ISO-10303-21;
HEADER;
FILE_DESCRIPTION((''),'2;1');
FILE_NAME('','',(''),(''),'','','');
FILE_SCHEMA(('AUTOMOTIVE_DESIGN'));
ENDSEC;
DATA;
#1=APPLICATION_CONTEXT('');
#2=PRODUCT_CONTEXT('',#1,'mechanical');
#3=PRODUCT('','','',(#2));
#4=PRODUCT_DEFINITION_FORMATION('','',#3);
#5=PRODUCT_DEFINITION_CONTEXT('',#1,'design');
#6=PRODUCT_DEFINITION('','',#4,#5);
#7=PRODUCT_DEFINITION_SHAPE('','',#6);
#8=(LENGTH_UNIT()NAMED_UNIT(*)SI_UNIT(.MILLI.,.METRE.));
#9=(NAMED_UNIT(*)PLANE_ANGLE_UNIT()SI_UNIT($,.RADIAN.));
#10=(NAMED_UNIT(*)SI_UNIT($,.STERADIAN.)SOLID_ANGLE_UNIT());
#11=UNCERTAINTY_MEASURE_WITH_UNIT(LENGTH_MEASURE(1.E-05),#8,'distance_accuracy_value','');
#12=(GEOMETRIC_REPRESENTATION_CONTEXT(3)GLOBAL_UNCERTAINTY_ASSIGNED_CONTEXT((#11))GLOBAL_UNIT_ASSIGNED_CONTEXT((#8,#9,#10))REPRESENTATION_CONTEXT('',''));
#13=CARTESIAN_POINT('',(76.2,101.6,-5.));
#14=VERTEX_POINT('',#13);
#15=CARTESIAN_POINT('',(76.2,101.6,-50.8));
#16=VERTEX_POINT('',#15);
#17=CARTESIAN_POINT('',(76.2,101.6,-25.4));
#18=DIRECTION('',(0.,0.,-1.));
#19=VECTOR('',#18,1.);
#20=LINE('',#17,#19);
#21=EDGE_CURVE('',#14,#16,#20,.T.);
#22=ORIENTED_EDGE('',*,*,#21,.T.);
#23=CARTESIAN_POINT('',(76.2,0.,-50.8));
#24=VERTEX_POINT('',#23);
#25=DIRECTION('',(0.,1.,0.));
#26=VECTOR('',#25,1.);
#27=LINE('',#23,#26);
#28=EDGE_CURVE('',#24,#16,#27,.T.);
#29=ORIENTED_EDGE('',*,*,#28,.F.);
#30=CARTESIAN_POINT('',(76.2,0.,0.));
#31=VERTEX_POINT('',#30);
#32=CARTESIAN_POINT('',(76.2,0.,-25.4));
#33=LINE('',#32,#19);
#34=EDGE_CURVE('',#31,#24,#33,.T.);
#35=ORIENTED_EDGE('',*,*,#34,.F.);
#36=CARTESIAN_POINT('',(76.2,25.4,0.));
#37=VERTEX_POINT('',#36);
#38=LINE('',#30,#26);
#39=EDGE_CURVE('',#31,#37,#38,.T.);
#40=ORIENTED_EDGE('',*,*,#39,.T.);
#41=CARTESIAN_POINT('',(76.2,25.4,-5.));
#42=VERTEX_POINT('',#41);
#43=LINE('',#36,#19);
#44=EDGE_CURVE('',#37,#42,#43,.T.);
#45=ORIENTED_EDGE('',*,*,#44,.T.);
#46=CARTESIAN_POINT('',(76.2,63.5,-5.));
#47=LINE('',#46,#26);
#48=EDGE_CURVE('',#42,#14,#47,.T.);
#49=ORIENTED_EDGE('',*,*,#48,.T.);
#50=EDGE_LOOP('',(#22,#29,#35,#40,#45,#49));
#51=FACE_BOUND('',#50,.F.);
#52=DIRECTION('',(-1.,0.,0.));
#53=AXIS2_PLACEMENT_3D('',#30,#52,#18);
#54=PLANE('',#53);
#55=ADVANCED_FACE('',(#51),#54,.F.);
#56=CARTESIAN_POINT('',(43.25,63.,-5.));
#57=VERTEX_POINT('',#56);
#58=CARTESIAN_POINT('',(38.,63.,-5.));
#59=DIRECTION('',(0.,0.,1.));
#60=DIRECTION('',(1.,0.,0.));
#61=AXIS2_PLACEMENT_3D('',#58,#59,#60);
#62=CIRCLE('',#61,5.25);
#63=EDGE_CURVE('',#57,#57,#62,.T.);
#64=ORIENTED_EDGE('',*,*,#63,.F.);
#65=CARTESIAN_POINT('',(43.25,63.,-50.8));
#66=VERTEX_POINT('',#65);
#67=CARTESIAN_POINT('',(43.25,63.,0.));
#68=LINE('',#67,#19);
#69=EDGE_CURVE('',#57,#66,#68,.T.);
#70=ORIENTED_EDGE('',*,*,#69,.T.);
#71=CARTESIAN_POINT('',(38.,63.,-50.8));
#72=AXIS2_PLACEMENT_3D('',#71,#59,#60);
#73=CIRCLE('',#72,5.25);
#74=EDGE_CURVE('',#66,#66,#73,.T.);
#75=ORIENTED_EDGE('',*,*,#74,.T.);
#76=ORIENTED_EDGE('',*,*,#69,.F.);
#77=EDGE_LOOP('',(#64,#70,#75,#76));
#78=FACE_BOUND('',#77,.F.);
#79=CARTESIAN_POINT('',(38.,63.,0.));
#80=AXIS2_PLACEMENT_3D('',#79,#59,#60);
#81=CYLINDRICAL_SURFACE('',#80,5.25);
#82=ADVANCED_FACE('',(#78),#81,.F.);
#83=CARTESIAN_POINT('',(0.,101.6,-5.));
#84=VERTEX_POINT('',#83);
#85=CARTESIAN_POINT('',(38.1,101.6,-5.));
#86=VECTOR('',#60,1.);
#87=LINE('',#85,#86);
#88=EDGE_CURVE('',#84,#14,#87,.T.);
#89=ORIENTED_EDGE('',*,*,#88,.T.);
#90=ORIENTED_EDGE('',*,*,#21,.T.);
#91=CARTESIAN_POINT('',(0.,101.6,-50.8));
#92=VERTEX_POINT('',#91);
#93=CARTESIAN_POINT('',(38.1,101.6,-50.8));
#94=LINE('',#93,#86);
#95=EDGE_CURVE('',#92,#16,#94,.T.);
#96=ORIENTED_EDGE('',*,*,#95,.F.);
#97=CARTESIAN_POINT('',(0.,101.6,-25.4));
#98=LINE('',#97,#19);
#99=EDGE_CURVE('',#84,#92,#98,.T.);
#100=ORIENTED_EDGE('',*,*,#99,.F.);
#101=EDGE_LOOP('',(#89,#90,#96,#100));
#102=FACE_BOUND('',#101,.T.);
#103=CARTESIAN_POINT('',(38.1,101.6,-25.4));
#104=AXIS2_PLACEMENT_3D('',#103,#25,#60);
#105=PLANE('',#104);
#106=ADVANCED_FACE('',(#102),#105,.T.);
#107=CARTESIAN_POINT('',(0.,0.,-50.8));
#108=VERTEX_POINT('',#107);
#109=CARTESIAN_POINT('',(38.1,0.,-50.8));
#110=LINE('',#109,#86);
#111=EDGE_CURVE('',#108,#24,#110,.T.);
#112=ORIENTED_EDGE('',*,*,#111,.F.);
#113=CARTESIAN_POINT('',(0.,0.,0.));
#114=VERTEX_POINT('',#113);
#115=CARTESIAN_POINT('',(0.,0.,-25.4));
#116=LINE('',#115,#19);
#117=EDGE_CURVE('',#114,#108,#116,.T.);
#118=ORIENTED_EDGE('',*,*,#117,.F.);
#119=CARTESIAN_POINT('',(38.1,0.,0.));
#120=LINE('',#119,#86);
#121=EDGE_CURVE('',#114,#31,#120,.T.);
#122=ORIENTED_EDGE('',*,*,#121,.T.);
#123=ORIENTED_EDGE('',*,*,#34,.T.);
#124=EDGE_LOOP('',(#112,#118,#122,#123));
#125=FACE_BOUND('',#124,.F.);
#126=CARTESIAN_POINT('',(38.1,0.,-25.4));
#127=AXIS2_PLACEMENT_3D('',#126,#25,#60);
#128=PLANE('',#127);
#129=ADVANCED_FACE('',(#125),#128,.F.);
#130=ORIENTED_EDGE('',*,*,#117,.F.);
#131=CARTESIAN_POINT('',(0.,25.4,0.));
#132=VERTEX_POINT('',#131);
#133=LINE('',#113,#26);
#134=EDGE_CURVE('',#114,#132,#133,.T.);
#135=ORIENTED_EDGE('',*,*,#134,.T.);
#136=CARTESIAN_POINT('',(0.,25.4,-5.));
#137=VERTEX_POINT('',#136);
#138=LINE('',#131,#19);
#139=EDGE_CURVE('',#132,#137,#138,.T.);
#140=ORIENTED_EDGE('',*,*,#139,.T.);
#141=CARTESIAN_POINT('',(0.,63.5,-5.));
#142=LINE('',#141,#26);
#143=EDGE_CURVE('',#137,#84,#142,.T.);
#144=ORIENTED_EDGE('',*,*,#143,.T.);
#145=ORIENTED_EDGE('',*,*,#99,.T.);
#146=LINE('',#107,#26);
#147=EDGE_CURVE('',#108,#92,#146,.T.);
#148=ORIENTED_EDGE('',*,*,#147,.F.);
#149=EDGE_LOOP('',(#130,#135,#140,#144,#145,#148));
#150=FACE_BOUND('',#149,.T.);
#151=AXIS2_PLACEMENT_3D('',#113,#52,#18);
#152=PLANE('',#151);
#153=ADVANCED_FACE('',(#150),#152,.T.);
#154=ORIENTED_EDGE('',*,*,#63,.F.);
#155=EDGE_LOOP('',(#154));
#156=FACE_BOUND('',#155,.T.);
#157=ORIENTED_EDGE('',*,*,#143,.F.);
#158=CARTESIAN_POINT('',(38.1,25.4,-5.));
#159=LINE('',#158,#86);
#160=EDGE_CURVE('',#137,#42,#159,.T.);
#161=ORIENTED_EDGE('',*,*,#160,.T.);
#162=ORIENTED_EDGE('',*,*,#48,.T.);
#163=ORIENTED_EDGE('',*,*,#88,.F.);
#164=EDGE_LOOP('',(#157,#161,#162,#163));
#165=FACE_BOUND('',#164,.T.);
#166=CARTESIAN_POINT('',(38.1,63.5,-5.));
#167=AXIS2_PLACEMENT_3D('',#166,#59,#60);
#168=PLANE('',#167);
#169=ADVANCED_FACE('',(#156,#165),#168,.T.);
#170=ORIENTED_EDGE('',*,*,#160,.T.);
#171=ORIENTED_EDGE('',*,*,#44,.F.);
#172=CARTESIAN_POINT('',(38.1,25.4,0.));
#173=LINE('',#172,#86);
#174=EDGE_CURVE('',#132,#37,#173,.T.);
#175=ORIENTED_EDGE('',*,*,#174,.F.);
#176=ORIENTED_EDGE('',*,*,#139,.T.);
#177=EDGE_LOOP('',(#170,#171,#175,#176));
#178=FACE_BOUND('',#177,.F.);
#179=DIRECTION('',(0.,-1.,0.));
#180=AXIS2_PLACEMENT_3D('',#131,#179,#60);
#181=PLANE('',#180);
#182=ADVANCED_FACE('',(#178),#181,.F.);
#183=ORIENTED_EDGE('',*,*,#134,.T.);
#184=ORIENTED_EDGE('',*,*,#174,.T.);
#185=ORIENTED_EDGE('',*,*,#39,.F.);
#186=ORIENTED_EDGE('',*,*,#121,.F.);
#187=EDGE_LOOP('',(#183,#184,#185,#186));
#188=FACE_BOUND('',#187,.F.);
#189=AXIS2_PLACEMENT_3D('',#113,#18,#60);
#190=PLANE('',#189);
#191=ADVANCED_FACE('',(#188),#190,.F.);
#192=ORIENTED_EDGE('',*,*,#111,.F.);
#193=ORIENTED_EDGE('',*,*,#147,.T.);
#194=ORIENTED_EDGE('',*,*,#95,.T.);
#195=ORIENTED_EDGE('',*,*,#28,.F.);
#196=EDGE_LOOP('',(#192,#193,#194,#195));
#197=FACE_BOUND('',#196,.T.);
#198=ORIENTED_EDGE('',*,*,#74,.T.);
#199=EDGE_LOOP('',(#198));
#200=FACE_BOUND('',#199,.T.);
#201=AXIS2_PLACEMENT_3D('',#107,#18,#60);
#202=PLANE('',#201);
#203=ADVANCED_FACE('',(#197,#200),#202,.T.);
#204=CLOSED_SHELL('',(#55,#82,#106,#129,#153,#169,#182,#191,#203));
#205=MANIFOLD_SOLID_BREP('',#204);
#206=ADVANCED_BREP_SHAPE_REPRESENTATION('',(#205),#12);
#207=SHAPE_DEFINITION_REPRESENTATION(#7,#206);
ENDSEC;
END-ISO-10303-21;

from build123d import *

# Parameters (mm, degrees)
SKETCH1_W           = 76.2
SKETCH1_H           = 50.8
BOSS_EXTRUDE1_DEPTH = 101.6
SKETCH2_R           = 5.25
CUT_EXTRUDE1_DEPTH  = 300
SKETCH3_W           = 76.2
SKETCH3_H           = 76.2
CUT_EXTRUDE2_DEPTH  = 5


with BuildPart() as part:
    # Sketch1 → Boss-Extrude1 (new body)
    with BuildSketch(Plane(origin=(0, 0, 0), x_dir=(1, 0, 0), z_dir=(0, 1, 0))):
        with Locations((38.1, 25.4)):
            Rectangle(SKETCH1_W, SKETCH1_H)
    extrude(amount=BOSS_EXTRUDE1_DEPTH)

    # Sketch2 → Cut-Extrude1 (cut)
    with BuildSketch(Plane.XY):
        with Locations((38, 63)):
            Circle(SKETCH2_R)
    extrude(amount=-CUT_EXTRUDE1_DEPTH, mode=Mode.SUBTRACT)

    # Sketch3 → Cut-Extrude2 (cut)
    with BuildSketch(Plane.XY):
        with Locations((38.1, 63.5)):
            Rectangle(SKETCH3_W, SKETCH3_H)
    extrude(amount=-CUT_EXTRUDE2_DEPTH, mode=Mode.SUBTRACT)


solid = part.part
